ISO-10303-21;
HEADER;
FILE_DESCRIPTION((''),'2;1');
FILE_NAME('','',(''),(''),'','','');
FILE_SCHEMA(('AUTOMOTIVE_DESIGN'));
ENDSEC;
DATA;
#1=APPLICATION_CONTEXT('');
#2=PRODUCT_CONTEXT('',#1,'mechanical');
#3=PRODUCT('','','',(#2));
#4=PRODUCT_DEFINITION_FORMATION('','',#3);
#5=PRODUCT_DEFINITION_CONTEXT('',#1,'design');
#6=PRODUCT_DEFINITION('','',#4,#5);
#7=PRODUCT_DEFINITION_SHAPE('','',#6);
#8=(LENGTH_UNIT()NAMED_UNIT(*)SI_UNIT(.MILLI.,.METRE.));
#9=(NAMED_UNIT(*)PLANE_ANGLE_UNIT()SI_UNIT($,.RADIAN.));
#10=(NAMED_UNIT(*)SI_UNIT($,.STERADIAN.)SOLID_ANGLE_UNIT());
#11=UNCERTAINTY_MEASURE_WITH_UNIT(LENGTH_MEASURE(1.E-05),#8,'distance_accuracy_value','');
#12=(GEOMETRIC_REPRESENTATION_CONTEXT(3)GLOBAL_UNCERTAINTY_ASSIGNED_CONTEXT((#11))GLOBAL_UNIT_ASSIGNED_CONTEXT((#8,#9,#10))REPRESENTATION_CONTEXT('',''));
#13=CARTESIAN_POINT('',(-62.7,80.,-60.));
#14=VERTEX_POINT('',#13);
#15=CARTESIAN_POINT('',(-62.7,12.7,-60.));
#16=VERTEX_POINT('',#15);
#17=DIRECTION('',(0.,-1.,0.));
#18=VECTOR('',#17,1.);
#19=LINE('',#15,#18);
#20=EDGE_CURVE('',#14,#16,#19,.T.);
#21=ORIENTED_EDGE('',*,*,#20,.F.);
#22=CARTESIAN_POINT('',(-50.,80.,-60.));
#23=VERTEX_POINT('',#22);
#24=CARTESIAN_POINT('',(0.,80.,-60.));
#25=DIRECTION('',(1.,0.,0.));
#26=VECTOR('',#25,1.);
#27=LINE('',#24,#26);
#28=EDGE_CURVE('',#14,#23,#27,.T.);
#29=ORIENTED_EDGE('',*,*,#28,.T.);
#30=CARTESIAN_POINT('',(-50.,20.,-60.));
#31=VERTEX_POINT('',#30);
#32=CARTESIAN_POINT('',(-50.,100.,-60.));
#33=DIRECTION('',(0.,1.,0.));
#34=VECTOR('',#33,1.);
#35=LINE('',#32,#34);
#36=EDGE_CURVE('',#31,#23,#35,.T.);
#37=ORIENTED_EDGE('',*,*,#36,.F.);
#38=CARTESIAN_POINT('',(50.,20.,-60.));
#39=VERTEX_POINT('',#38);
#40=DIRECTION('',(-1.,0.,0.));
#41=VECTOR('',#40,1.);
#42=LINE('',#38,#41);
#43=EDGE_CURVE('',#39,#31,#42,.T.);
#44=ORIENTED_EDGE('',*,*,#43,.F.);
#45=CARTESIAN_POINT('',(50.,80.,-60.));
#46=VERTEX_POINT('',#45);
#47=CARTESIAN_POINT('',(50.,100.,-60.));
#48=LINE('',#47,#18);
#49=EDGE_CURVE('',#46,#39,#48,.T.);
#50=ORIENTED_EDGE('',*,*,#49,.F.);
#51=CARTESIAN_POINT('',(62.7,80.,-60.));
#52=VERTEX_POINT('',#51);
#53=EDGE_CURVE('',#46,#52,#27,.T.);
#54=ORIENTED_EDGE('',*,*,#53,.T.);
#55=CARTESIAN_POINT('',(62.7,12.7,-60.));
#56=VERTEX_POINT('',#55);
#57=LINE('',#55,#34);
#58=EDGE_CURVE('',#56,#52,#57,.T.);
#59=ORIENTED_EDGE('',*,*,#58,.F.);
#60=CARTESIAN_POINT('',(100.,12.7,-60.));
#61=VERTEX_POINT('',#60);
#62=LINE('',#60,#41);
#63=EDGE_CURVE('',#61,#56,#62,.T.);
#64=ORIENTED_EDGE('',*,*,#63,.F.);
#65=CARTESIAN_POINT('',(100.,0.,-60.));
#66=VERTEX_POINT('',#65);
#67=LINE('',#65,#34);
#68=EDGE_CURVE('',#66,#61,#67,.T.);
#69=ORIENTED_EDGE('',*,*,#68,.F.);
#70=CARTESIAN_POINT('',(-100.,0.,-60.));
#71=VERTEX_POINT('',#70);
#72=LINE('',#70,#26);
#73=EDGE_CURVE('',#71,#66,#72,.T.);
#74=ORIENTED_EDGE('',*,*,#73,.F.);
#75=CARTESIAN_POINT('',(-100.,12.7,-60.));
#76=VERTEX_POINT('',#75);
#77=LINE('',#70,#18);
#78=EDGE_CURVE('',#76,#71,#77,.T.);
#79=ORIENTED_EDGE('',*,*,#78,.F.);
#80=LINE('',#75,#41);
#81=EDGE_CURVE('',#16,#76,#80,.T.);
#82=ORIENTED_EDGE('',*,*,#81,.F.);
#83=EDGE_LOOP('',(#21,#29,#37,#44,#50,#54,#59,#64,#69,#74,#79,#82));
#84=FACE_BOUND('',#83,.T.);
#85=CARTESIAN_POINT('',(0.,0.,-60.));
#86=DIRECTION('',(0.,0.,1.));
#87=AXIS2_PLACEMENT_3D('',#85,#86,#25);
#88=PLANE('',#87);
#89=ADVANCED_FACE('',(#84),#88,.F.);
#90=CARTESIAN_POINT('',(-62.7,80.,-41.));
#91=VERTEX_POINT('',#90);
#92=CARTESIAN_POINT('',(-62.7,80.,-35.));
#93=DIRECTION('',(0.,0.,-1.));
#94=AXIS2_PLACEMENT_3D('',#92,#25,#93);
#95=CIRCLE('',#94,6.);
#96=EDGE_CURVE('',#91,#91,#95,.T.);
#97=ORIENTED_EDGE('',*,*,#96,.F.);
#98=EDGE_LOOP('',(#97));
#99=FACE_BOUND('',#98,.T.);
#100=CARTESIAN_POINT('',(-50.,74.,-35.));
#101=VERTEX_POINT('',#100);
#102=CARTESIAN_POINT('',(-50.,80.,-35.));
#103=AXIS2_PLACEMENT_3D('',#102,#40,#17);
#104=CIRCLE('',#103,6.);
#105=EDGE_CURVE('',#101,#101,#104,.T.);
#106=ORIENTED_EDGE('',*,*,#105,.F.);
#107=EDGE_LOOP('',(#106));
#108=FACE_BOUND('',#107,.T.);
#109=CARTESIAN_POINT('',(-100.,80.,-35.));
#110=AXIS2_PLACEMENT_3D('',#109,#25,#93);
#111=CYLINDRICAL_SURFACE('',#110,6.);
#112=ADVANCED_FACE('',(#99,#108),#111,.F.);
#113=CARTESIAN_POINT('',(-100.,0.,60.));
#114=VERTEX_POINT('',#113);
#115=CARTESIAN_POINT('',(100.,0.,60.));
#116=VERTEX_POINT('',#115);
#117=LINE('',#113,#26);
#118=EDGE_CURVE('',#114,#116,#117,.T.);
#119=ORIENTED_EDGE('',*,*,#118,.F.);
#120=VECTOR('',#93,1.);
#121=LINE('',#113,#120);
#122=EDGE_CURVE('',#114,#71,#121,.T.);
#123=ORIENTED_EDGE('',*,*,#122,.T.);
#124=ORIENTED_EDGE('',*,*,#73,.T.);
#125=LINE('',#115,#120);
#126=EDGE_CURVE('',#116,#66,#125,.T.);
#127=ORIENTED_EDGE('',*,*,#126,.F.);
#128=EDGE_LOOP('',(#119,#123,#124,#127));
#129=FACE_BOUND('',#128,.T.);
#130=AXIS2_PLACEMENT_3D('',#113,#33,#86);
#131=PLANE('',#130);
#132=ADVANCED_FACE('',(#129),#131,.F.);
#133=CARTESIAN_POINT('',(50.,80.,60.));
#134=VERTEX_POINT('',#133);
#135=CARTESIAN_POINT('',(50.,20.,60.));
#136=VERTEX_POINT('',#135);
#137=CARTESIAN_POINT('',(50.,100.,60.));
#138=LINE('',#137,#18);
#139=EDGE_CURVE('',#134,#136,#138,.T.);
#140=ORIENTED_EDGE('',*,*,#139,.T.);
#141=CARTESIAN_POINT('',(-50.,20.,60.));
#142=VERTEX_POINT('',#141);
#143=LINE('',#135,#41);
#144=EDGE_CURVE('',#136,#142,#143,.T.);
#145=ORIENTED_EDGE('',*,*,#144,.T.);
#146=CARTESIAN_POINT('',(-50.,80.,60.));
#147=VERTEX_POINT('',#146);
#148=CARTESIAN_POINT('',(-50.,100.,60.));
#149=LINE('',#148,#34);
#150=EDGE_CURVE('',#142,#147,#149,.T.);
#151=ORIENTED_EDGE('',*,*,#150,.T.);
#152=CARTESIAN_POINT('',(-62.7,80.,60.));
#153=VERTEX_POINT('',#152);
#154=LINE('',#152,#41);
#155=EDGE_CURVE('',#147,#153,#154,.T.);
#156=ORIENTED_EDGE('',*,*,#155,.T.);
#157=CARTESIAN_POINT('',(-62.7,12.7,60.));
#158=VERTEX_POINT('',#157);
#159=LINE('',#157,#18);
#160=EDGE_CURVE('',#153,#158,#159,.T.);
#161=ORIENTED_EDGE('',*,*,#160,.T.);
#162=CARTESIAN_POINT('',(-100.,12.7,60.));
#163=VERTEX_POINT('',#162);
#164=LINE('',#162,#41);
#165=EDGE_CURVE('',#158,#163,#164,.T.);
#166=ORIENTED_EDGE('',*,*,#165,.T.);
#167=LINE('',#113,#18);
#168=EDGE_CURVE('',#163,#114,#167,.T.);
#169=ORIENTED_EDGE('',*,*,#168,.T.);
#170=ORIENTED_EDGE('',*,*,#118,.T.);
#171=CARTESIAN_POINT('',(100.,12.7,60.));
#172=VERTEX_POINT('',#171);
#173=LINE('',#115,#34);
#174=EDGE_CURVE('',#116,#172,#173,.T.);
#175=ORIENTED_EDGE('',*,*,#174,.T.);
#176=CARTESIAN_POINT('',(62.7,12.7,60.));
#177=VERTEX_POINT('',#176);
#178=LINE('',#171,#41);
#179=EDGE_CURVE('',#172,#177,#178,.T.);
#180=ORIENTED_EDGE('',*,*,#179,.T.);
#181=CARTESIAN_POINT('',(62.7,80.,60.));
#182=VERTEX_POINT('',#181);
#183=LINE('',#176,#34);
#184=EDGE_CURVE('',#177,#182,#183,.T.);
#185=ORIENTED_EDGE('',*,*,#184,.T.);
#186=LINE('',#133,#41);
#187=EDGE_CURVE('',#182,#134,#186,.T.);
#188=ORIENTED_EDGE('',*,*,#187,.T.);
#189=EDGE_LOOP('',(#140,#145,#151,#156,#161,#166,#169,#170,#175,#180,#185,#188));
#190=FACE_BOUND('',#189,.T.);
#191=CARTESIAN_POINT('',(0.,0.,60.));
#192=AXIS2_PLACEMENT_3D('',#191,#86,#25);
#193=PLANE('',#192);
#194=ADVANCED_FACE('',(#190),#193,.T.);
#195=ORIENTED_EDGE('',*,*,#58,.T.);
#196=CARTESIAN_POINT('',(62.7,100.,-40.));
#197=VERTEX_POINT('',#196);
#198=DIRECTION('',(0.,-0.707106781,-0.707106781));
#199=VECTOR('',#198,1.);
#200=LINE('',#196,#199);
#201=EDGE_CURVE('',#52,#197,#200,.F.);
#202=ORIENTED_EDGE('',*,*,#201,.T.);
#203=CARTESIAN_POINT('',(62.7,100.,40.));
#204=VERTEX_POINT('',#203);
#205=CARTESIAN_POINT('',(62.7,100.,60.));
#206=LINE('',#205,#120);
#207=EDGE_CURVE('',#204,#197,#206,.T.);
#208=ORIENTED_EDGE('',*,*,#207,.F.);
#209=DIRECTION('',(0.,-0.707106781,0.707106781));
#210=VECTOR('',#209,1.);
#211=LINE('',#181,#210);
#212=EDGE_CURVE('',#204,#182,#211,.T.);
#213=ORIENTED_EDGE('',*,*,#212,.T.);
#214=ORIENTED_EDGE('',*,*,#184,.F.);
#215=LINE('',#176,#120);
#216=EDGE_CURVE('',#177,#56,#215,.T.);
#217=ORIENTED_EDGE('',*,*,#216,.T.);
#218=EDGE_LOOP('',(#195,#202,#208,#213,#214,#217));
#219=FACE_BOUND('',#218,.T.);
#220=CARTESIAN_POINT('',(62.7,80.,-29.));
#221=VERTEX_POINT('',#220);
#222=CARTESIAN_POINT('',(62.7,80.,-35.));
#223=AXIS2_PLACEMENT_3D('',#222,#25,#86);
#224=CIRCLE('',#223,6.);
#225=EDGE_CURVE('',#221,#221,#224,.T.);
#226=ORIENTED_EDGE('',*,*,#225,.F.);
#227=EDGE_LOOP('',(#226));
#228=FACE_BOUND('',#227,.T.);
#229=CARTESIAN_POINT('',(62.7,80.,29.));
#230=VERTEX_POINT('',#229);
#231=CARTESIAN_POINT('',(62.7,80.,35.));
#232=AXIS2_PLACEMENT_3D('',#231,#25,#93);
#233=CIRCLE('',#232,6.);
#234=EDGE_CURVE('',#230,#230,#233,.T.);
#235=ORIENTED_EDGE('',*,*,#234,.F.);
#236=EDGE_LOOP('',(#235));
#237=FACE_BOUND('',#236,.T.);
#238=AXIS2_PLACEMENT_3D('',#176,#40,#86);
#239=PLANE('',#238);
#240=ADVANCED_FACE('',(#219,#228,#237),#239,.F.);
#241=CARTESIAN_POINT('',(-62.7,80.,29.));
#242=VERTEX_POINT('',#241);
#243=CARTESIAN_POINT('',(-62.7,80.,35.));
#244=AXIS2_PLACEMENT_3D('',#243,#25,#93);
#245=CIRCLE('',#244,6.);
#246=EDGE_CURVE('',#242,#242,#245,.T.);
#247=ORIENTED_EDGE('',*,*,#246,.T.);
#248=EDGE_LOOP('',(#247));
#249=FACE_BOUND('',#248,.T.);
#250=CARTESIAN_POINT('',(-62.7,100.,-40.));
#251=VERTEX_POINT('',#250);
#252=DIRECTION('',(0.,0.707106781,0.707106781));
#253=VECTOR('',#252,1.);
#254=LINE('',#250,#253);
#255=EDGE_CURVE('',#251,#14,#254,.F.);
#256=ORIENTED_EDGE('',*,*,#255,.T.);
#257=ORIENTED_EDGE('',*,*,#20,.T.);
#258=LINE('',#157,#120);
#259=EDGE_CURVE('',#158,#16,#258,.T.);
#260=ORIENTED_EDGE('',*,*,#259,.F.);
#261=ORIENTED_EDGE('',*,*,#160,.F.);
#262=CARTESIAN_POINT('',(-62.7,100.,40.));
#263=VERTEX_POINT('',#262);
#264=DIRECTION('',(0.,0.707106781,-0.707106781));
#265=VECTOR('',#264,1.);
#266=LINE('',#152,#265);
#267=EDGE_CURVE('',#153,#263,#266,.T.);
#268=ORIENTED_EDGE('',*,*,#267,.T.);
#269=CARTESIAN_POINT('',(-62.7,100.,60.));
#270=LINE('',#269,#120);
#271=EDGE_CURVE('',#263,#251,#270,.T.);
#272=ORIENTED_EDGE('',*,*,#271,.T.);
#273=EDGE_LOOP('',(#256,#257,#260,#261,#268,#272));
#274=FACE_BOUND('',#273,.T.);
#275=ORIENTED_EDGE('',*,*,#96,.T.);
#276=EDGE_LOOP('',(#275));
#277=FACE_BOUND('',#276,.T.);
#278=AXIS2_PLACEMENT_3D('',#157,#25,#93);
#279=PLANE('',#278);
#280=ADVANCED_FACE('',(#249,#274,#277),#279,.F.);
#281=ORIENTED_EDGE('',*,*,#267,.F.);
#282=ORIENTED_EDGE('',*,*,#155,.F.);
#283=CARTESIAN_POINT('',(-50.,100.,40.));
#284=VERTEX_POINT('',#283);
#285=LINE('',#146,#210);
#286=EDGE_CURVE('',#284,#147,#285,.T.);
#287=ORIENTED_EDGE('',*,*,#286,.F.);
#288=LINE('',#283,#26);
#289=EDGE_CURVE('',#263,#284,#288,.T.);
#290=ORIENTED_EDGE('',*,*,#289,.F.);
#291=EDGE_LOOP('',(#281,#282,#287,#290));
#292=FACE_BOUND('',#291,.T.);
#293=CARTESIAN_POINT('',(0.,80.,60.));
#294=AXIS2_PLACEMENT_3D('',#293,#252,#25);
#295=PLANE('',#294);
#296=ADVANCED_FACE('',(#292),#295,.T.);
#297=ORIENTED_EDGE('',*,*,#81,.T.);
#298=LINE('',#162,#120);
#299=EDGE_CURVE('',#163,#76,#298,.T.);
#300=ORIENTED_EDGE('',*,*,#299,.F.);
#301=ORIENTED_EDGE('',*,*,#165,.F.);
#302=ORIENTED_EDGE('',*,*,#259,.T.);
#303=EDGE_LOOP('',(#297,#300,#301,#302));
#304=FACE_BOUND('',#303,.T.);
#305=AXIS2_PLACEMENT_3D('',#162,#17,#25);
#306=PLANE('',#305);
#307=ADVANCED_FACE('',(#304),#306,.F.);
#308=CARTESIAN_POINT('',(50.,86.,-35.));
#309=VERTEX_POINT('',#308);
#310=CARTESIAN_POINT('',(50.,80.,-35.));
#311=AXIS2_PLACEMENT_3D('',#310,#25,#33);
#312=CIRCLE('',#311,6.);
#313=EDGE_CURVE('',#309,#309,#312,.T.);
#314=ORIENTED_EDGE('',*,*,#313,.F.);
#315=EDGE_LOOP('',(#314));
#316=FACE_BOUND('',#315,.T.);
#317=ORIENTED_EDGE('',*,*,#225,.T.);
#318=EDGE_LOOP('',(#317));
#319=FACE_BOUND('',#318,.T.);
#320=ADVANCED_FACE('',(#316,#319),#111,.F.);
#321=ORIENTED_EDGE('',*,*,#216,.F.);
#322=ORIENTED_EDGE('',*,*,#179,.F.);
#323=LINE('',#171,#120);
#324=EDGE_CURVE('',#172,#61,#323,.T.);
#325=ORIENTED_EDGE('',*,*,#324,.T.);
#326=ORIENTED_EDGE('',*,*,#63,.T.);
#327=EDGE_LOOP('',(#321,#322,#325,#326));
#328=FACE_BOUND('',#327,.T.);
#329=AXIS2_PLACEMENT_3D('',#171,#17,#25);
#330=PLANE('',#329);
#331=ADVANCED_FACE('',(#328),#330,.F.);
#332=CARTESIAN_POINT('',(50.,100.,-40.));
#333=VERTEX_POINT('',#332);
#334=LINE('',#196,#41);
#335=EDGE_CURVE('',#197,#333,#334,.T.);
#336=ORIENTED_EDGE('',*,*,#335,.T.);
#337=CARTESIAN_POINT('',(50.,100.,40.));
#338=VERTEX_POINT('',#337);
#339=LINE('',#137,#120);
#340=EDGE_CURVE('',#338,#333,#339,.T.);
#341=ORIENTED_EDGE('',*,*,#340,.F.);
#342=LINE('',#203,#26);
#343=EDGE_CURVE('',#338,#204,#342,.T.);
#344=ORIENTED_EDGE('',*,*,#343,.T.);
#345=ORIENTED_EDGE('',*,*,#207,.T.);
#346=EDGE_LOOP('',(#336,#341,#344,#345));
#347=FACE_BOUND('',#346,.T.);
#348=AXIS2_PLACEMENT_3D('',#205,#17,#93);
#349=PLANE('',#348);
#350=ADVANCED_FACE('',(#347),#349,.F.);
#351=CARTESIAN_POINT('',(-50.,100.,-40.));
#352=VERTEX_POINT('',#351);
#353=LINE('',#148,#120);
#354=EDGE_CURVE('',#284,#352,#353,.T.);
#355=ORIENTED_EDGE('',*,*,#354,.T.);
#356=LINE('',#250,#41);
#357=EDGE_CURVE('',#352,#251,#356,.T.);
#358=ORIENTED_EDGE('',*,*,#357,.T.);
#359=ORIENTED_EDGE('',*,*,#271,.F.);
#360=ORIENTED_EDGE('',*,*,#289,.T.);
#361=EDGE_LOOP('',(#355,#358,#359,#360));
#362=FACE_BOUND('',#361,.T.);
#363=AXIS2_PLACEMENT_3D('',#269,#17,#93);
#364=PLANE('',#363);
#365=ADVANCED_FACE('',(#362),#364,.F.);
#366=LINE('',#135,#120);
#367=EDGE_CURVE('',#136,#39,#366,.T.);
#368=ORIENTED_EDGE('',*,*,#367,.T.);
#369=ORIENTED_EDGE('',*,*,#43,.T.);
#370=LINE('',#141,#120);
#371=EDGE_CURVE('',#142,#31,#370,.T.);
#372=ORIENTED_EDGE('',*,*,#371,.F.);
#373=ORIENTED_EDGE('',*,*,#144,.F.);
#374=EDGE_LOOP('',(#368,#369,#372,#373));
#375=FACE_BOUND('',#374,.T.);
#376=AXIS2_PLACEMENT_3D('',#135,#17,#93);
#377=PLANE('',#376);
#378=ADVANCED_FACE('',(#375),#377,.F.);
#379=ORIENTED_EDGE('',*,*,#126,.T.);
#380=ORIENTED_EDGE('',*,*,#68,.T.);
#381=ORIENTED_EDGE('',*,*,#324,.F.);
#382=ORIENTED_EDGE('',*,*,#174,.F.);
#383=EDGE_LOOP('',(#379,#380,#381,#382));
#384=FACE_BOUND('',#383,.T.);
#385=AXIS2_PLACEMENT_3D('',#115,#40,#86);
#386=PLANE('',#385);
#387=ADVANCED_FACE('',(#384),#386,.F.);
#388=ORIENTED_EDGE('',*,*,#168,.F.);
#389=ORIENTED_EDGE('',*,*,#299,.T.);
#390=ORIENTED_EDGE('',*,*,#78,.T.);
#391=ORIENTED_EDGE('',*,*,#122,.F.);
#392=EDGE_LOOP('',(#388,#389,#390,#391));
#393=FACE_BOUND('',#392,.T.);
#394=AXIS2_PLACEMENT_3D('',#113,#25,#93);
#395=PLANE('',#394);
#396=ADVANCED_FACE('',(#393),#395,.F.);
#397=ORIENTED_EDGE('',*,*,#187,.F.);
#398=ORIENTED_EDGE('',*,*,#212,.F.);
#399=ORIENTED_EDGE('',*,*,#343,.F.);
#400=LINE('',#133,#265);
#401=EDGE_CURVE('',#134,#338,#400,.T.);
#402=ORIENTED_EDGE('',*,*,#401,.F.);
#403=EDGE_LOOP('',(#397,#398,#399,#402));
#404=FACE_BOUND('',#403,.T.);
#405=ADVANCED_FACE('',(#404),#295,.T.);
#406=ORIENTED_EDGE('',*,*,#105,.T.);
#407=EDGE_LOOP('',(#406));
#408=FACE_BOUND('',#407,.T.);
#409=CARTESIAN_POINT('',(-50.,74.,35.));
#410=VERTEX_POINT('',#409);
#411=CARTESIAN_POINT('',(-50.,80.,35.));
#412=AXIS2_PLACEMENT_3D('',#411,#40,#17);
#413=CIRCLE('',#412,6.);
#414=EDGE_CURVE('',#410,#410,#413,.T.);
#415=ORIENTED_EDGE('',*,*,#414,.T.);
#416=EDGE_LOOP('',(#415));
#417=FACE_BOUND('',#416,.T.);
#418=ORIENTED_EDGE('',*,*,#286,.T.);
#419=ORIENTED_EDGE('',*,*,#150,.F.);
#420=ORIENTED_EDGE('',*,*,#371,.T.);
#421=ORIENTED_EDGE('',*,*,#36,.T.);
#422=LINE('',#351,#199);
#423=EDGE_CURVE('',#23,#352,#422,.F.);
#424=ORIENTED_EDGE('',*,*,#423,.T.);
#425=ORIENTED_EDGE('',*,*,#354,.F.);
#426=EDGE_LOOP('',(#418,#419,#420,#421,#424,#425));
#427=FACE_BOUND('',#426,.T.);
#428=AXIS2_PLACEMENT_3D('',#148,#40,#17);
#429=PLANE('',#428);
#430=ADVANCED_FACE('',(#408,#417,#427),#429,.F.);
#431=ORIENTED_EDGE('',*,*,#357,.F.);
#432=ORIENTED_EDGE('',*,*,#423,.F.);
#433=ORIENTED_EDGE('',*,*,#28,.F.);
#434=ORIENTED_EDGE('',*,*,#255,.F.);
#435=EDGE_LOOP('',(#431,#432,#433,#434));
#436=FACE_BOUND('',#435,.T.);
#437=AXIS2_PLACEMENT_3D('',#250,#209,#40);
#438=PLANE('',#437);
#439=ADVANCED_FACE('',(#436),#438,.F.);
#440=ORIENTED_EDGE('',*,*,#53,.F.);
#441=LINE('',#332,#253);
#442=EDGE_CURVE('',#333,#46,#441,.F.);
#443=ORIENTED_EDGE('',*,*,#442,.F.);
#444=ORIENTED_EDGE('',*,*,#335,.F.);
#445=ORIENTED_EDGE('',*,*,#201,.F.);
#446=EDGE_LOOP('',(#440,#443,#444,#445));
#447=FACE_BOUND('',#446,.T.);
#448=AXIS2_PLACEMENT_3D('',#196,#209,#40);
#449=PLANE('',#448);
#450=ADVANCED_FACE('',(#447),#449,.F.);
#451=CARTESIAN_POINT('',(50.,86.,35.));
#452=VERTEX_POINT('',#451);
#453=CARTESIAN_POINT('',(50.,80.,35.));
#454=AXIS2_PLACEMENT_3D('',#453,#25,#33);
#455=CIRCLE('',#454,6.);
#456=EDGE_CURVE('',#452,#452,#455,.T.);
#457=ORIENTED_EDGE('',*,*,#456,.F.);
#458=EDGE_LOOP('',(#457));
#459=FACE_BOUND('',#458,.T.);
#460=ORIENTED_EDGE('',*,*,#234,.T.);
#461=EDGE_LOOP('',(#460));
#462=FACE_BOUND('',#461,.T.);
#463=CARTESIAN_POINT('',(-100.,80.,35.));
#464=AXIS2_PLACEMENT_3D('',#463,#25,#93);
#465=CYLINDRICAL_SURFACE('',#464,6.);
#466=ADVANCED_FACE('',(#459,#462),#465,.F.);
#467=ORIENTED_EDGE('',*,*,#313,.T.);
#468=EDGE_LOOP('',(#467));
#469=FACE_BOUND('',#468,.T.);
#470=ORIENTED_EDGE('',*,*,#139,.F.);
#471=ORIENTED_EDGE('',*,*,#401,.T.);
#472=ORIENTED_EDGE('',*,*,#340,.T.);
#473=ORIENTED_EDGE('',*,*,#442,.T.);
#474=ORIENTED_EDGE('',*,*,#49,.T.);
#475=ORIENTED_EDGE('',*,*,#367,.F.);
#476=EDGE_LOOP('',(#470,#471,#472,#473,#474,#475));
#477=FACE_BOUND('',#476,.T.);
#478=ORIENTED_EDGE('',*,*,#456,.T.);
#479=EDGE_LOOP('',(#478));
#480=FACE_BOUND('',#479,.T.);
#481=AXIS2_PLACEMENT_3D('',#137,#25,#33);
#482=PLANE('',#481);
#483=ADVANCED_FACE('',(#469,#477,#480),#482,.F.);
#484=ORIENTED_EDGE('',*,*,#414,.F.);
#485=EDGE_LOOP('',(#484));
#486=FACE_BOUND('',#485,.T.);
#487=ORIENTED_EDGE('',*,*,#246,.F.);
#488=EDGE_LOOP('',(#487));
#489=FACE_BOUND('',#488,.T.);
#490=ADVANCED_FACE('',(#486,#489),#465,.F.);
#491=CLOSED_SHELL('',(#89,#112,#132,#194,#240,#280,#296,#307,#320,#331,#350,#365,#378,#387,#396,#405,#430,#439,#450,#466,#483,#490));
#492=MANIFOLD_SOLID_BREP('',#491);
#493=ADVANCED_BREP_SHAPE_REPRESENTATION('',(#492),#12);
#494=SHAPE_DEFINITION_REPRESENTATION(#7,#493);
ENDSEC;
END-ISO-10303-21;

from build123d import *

# Parameters (mm, degrees)
RESSALTO_EXTRUS_O1_DEPTH = 60
CHANFRO1_SIZE            = 20
ESBO_O2_R                = 6
CORTE_EXTRUS_O1_DEPTH    = 163.7


with BuildPart() as part:
    # Esboço1 → Ressalto-extrusão1 (new body, symmetric)
    with BuildSketch(Plane.XY):
        Polygon((-100, 0), (100, 0), (100, 12.7), (62.7, 12.7), (62.7, 100), (50, 100), (50, 20), (-50, 20), (-50, 100), (-62.7, 100), (-62.7, 12.7), (-100, 12.7), align=None)
    extrude(amount=RESSALTO_EXTRUS_O1_DEPTH, both=True)

    # Chanfro1
    chanfro1_edges = [part.edges().sort_by_distance(p)[0] for p in [
        (-56.35, 100, -60),
        (56.35, 100, 60),
        (56.35, 100, -60),
        (-56.35, 100, 60),
    ]]
    chamfer(chanfro1_edges, length=CHANFRO1_SIZE)

    # Esboço2 → Corte-extrusão1 (cut, through all)
    with BuildSketch(Plane(origin=(62.7, 0, 0), x_dir=(0, 0, -1), z_dir=(1, 0, 0))):
        with Locations((-35, 80)):
            Circle(ESBO_O2_R)
        with Locations((35, 80)):
            Circle(ESBO_O2_R)
    extrude(amount=-CORTE_EXTRUS_O1_DEPTH, mode=Mode.SUBTRACT)


solid = part.part
